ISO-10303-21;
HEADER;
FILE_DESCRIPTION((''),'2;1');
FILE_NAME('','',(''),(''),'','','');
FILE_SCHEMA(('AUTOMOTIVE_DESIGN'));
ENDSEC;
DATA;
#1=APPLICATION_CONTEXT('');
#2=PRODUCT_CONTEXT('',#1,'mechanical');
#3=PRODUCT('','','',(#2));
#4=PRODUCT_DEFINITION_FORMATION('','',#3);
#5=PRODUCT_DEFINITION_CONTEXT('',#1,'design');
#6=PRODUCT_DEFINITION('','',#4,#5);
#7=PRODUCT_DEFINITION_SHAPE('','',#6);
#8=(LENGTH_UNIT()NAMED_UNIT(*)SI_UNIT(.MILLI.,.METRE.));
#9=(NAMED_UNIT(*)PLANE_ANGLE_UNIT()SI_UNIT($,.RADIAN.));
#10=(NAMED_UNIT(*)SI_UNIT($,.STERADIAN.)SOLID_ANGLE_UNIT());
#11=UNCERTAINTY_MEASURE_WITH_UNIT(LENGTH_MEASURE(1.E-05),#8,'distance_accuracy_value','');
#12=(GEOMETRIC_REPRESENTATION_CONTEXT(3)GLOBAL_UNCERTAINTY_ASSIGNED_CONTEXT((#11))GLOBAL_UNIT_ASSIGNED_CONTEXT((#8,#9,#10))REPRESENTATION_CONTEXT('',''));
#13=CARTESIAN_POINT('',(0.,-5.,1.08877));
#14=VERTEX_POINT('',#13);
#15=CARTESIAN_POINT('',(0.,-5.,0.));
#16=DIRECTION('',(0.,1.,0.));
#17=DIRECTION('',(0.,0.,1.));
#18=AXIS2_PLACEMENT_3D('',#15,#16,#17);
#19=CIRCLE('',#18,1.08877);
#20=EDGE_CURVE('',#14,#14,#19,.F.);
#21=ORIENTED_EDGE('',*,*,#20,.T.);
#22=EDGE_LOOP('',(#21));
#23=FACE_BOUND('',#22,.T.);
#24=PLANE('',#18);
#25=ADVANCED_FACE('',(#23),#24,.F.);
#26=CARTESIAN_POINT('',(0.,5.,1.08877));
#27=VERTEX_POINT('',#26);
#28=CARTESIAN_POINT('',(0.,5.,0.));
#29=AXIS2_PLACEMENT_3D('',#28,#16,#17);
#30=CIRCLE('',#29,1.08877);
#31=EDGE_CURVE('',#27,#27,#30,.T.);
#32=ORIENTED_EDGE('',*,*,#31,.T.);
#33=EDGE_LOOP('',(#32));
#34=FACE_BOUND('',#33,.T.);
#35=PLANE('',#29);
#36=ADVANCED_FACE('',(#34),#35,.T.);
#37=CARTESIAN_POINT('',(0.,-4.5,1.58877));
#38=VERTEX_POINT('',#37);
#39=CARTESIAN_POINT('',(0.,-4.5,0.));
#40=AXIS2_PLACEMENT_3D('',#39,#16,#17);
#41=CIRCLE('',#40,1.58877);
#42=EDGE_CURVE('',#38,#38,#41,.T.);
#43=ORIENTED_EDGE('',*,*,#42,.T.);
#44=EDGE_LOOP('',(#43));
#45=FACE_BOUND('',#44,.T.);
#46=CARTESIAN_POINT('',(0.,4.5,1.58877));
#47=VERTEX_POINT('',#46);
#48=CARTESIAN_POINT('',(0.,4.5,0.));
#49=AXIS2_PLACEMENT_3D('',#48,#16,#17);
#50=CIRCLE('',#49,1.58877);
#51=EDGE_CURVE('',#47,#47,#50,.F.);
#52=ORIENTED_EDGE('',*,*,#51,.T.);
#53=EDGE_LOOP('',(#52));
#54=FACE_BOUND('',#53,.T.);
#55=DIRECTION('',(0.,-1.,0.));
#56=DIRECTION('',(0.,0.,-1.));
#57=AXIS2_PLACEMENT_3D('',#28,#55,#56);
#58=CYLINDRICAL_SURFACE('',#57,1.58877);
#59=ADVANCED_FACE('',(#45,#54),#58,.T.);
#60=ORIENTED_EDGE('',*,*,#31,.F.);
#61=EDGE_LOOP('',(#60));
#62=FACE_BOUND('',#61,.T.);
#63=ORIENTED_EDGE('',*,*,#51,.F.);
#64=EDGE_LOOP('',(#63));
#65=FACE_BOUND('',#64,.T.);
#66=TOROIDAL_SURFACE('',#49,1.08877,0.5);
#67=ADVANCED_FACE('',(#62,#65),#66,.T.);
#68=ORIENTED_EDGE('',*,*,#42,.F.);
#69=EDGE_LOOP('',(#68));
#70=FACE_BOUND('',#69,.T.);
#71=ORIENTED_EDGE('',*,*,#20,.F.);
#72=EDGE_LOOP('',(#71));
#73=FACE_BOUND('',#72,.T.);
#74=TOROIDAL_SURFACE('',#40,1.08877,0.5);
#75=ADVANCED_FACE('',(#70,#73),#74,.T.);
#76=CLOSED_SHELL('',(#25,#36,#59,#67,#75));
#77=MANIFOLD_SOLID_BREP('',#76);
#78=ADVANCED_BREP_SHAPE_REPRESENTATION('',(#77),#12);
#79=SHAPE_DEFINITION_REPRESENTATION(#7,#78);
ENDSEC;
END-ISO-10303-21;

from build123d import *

# Parameters (mm, degrees)
SKETCH1_R           = 1.58877
BOSS_EXTRUDE1_DEPTH = 5
FILLET1_R           = 0.5


with BuildPart() as part:
    # Sketch1 → Boss-Extrude1 (new body, symmetric)
    with BuildSketch(Plane(origin=(0, 0, 0), x_dir=(1, 0, 0), z_dir=(0, 1, 0))):
        with Locations(Location((0, 0, 0), (0, 0, 270))):  # turned: the seam where the file's is
            Circle(SKETCH1_R)
    extrude(amount=BOSS_EXTRUDE1_DEPTH, both=True)

    # Fillet1
    fillet1_edges = [part.edges().sort_by_distance(p)[0] for p in [
        (0, -5, -1.58877),
        (0, 5, -1.58877),
    ]]
    fillet(fillet1_edges, radius=FILLET1_R)


solid = part.part
